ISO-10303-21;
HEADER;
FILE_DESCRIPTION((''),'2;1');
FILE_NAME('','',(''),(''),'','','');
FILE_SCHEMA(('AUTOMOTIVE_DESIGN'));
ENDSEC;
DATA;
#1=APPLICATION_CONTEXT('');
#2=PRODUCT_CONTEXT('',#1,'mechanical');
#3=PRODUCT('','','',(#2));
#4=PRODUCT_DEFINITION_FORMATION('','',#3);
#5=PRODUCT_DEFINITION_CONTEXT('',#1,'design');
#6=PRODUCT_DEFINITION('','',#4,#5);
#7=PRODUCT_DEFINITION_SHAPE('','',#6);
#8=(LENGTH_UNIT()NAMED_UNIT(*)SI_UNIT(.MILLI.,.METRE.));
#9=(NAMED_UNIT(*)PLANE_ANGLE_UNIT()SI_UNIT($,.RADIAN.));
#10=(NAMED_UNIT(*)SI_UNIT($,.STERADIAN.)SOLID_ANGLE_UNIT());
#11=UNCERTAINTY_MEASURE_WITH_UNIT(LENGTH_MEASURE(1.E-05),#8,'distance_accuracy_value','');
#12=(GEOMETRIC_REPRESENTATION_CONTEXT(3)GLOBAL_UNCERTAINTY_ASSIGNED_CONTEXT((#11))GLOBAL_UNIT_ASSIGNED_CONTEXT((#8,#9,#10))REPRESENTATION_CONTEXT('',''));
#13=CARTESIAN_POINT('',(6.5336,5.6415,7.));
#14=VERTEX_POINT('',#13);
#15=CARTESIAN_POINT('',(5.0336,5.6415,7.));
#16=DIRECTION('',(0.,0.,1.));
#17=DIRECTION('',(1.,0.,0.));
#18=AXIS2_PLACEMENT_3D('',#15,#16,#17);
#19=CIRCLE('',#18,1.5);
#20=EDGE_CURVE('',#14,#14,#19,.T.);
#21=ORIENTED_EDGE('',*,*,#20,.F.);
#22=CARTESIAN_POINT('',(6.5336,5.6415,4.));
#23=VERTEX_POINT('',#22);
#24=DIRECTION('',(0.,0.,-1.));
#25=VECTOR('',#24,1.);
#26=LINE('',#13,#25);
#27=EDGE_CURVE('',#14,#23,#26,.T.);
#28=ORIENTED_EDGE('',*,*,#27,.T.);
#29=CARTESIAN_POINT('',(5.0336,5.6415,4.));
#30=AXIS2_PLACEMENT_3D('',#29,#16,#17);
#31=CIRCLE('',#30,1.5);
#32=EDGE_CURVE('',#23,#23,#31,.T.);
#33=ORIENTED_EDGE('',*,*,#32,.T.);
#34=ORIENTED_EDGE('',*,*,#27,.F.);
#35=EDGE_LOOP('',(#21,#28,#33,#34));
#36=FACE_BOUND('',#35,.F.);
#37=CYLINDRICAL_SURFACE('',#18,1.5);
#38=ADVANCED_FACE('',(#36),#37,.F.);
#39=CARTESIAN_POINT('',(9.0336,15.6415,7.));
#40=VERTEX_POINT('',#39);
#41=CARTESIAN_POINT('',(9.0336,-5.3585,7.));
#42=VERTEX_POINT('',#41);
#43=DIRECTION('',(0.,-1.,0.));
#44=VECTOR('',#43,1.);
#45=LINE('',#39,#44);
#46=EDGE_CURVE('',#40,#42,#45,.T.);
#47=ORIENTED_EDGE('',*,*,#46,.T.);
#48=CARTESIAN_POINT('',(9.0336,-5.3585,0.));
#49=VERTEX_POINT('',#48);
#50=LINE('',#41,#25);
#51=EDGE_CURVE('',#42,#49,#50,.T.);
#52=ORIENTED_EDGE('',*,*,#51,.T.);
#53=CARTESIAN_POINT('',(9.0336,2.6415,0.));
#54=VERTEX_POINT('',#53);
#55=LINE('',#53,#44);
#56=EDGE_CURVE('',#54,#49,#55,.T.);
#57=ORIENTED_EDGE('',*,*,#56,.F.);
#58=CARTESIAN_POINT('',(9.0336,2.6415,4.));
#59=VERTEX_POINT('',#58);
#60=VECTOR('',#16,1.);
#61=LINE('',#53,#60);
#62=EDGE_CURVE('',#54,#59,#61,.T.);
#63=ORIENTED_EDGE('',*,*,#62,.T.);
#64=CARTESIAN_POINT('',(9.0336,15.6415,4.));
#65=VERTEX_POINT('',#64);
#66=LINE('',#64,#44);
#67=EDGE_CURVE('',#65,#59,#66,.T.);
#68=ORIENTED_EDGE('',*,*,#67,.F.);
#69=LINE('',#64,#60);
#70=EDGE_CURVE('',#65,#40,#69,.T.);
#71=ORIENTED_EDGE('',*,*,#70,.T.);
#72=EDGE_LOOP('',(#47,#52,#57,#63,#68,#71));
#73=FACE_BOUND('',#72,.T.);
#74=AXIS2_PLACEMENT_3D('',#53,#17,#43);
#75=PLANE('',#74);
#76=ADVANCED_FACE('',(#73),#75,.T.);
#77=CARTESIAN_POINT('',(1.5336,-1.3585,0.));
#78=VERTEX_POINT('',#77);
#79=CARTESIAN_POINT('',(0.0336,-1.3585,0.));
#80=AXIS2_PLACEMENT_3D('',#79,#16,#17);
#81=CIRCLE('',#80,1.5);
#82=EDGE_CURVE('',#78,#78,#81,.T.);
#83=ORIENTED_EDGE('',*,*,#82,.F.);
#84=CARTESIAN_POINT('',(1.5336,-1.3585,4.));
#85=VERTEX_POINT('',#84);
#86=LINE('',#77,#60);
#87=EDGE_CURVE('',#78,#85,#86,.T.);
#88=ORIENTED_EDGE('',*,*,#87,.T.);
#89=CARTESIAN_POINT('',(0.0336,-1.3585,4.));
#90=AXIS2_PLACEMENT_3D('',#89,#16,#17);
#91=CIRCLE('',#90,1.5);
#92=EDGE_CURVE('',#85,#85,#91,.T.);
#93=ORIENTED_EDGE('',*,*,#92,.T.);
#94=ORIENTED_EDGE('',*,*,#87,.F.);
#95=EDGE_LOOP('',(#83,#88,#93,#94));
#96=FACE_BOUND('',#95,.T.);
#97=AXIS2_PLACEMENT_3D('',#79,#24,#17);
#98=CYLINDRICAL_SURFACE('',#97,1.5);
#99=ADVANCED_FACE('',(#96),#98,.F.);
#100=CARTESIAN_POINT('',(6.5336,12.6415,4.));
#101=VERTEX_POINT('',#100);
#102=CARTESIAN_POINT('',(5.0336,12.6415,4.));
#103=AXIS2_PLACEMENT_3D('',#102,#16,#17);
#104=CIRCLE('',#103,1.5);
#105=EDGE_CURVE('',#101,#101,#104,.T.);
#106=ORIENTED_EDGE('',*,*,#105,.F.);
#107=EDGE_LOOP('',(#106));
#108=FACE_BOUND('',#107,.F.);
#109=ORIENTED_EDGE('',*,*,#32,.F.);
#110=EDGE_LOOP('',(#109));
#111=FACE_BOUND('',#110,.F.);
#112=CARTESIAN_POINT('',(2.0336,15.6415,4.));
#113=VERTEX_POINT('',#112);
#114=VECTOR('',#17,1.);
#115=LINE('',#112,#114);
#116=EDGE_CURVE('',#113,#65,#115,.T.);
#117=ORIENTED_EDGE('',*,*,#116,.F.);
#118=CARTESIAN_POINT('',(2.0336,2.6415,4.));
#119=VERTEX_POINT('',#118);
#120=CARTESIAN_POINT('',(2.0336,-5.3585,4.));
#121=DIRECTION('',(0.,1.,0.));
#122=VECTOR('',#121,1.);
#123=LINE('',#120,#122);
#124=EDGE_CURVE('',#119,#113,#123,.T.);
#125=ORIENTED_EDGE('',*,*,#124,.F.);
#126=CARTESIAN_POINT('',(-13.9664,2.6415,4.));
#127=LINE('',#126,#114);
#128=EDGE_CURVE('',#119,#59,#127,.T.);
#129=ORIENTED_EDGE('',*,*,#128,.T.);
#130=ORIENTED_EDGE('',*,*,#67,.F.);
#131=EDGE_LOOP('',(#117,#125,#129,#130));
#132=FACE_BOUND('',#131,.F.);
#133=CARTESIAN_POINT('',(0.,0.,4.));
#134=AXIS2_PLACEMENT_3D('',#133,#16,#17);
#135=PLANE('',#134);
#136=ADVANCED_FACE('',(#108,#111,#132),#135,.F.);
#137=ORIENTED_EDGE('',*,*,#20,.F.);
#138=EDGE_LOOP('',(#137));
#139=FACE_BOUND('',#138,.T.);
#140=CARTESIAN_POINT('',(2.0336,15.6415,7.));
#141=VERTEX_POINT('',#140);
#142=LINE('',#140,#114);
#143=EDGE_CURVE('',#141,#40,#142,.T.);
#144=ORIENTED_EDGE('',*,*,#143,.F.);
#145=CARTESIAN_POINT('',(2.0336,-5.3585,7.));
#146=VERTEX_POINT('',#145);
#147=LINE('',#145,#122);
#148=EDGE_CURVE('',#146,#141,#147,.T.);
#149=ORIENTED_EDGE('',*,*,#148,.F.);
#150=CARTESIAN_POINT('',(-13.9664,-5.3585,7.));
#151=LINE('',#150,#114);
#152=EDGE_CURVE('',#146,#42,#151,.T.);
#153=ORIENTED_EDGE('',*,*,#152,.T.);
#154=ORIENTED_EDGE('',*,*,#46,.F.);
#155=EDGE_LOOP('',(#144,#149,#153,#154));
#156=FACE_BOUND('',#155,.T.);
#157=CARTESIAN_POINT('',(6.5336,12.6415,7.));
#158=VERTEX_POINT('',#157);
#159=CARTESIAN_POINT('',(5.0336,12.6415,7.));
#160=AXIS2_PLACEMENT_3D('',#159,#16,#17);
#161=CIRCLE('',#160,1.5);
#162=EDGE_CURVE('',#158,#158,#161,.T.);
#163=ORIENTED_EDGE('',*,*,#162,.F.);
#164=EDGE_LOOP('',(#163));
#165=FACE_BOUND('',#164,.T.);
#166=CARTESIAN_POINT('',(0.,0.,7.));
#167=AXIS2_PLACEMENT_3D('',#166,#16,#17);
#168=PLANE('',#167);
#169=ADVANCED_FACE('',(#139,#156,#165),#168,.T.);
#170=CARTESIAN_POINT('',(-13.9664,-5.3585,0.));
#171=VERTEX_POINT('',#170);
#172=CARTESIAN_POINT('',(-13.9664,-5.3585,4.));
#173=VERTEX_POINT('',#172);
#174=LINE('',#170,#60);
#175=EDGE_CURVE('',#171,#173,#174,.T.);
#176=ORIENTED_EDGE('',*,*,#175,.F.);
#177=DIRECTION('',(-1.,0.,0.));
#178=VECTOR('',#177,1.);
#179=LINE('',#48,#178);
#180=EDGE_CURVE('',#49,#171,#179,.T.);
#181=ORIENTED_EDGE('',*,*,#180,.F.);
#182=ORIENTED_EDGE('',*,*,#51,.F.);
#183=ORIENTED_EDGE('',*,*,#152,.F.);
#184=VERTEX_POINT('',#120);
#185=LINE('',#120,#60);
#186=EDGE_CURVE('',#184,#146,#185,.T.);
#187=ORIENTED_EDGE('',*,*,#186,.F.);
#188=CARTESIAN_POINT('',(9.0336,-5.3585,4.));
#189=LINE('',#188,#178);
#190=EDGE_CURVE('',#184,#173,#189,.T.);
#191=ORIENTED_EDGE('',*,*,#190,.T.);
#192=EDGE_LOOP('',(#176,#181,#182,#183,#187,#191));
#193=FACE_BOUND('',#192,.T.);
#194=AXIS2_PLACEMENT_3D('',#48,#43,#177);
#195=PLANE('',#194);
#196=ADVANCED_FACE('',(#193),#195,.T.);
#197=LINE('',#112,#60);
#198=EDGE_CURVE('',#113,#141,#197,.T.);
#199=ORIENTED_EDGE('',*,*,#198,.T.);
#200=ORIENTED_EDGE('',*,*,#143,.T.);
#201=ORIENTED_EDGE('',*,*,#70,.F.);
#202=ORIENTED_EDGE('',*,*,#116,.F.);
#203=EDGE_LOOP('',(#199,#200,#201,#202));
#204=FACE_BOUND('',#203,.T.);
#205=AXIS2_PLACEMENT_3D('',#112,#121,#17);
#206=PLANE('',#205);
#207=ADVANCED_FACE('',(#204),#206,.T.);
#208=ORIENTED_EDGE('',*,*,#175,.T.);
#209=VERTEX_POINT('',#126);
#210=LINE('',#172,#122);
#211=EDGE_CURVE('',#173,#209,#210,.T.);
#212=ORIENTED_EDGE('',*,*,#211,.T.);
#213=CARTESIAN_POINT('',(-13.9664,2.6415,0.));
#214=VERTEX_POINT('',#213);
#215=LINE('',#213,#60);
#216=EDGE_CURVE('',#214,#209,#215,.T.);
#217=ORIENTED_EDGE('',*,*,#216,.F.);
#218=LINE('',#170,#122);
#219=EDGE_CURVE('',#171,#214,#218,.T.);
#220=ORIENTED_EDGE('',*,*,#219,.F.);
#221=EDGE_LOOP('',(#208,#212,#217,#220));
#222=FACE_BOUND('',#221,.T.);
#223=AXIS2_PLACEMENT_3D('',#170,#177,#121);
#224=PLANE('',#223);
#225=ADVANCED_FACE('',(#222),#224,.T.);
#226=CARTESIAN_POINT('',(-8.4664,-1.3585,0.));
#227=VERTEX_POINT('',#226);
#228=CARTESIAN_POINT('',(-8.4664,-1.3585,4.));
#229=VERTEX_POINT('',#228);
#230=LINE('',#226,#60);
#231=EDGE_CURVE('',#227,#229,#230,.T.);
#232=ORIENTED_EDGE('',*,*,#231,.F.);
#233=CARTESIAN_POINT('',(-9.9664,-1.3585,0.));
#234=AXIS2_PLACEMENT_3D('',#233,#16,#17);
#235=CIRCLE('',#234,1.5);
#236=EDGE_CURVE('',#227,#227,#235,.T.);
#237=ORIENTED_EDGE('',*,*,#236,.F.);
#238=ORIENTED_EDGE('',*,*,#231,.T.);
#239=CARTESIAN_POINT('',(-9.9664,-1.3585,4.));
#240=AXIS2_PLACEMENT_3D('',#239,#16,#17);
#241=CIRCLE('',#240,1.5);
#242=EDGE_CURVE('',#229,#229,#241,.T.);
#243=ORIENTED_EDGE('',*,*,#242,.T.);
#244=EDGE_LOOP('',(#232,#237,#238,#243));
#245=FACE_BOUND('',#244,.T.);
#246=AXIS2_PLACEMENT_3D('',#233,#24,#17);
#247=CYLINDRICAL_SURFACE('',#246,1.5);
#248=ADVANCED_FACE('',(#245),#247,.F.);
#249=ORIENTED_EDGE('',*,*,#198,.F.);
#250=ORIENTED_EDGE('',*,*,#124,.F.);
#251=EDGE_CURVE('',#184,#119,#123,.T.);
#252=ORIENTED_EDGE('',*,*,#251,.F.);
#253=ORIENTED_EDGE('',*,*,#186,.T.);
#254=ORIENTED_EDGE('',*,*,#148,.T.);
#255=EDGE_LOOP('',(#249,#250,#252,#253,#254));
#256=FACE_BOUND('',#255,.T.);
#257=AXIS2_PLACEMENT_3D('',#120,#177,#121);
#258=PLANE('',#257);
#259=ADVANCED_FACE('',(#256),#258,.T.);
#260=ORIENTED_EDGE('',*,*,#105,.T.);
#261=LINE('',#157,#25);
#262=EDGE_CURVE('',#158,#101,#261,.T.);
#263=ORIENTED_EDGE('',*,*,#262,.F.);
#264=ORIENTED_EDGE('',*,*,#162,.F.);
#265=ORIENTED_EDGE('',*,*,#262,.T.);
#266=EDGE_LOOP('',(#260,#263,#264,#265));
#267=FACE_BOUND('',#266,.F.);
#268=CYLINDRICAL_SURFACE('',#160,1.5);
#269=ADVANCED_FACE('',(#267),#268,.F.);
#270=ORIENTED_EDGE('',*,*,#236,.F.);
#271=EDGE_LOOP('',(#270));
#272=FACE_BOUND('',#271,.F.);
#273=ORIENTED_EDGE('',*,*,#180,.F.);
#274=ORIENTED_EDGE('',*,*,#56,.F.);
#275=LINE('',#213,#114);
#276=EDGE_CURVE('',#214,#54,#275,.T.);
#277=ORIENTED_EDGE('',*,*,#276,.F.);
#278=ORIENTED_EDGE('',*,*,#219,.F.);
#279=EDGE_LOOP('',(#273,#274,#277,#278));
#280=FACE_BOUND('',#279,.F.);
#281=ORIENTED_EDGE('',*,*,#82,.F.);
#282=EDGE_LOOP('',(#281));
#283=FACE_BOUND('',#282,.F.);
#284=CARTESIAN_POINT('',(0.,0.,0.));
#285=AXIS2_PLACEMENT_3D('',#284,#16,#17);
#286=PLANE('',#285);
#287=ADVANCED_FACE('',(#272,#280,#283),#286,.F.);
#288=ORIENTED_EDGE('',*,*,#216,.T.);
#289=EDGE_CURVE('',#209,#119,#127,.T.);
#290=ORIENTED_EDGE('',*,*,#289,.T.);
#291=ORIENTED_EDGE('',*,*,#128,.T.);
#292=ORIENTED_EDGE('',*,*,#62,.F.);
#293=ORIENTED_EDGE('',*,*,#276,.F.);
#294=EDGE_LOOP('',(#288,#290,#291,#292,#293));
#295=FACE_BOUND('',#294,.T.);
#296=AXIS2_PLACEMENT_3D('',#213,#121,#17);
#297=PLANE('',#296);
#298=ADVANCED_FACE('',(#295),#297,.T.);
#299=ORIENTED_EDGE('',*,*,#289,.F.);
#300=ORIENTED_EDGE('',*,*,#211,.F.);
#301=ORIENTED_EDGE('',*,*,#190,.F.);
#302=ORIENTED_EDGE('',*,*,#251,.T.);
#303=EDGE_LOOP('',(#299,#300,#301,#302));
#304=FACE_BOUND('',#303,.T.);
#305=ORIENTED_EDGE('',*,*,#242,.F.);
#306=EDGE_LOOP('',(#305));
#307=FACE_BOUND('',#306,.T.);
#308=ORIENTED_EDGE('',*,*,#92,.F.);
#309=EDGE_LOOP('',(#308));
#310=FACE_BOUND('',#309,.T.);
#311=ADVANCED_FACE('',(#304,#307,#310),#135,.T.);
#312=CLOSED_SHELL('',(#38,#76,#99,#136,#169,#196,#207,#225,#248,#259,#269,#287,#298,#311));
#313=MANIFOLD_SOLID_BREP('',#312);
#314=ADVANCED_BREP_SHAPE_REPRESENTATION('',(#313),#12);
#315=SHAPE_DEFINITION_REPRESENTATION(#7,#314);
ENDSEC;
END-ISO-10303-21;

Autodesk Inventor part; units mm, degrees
ref_plane "YZ Plane" through (0, 0, 0) normal (1, 0, 0) x (0, 1, 0)
ref_plane "XZ Plane" through (0, 0, 0) normal (0, 1, 0) x (-1, 0, 0)
ref_plane "XY Plane" through (0, 0, 0) normal (0, 0, 1) x (1, 0, 0)
sketch "Boceto1" plane through (0, 0, 0) normal (0, 0, 1) x (1, 0, 0)
  line L0 (-13.9664, 2.6415) -> (9.0336, 2.6415)
  line L1 (9.0336, 2.6415) -> (9.0336, -5.3585)
  line L2 (9.0336, -5.3585) -> (-13.9664, -5.3585)
  line L3 (-13.9664, -5.3585) -> (-13.9664, 2.6415)
  circle A0 centre (-9.9664, -1.3585) radius 1.5
  circle A1 centre (0.0336, -1.3585) radius 1.5
  point P0 (0, 0)
  dimension "d0" = 3
  dimension "d1" = 3
  dimension "d2" = 23
  dimension "d3" = 8
  dimension "d4" = 10
  dimension "d8" = 4
  dimension "d9" = 4
  dimension "d10" = 4
extrude "Extrusión1" add sketch "Boceto1" along normal blind 4
sketch "Boceto2" plane through (0, 0, 4) normal (0, 0, 1) x (1, 0, 0)
  line L0 (-13.9664, -5.3585) -> (9.0336, -5.3585) projected
  line L1 (9.0336, -5.3585) -> (2.0336, -5.3585)
  line L2 (2.0336, -5.3585) -> (2.0336, 15.6415)
  line L3 (2.0336, 15.6415) -> (9.0336, 15.6415)
  line L4 (9.0336, 15.6415) -> (9.0336, -5.3585)
  point P0 (0, 0)
  dimension "d11" = 7
  dimension "d12" = 21
extrude "Extrusión2" add sketch "Boceto2" along normal blind 3
sketch "Boceto3" plane through (0, 0, 7) normal (0, 0, 1) x (1, 0, 0)
  circle A0 centre (5.0336, 5.6415) radius 1.5
  circle A1 centre (5.0336, 12.6415) radius 1.5
  line L0 (2.0336, 2.6415) -> (-13.9664, 2.6415) projected
  line L1 (2.0336, 15.6415) -> (2.0336, -5.3585) projected
  point P0 (0, 0)
  dimension "d15" = 7
  dimension "d16" = 3
  dimension "d17" = 3
  dimension "d18" = 3
  dimension "d19" = 3
  dimension "d20" = 3
extrude "Extrusión3" cut sketch "Boceto3" against normal up to surface (3 mm away)
equation "\"d1\" = d0"
equation "\"d9\" = 0.5 * d3"
equation "\"d10\" = d9"
equation "\"d18\" = d17"
equation "\"d20\" = d19"
properties part number "Soporte Switch X Izq" material "Acero, fundido"
